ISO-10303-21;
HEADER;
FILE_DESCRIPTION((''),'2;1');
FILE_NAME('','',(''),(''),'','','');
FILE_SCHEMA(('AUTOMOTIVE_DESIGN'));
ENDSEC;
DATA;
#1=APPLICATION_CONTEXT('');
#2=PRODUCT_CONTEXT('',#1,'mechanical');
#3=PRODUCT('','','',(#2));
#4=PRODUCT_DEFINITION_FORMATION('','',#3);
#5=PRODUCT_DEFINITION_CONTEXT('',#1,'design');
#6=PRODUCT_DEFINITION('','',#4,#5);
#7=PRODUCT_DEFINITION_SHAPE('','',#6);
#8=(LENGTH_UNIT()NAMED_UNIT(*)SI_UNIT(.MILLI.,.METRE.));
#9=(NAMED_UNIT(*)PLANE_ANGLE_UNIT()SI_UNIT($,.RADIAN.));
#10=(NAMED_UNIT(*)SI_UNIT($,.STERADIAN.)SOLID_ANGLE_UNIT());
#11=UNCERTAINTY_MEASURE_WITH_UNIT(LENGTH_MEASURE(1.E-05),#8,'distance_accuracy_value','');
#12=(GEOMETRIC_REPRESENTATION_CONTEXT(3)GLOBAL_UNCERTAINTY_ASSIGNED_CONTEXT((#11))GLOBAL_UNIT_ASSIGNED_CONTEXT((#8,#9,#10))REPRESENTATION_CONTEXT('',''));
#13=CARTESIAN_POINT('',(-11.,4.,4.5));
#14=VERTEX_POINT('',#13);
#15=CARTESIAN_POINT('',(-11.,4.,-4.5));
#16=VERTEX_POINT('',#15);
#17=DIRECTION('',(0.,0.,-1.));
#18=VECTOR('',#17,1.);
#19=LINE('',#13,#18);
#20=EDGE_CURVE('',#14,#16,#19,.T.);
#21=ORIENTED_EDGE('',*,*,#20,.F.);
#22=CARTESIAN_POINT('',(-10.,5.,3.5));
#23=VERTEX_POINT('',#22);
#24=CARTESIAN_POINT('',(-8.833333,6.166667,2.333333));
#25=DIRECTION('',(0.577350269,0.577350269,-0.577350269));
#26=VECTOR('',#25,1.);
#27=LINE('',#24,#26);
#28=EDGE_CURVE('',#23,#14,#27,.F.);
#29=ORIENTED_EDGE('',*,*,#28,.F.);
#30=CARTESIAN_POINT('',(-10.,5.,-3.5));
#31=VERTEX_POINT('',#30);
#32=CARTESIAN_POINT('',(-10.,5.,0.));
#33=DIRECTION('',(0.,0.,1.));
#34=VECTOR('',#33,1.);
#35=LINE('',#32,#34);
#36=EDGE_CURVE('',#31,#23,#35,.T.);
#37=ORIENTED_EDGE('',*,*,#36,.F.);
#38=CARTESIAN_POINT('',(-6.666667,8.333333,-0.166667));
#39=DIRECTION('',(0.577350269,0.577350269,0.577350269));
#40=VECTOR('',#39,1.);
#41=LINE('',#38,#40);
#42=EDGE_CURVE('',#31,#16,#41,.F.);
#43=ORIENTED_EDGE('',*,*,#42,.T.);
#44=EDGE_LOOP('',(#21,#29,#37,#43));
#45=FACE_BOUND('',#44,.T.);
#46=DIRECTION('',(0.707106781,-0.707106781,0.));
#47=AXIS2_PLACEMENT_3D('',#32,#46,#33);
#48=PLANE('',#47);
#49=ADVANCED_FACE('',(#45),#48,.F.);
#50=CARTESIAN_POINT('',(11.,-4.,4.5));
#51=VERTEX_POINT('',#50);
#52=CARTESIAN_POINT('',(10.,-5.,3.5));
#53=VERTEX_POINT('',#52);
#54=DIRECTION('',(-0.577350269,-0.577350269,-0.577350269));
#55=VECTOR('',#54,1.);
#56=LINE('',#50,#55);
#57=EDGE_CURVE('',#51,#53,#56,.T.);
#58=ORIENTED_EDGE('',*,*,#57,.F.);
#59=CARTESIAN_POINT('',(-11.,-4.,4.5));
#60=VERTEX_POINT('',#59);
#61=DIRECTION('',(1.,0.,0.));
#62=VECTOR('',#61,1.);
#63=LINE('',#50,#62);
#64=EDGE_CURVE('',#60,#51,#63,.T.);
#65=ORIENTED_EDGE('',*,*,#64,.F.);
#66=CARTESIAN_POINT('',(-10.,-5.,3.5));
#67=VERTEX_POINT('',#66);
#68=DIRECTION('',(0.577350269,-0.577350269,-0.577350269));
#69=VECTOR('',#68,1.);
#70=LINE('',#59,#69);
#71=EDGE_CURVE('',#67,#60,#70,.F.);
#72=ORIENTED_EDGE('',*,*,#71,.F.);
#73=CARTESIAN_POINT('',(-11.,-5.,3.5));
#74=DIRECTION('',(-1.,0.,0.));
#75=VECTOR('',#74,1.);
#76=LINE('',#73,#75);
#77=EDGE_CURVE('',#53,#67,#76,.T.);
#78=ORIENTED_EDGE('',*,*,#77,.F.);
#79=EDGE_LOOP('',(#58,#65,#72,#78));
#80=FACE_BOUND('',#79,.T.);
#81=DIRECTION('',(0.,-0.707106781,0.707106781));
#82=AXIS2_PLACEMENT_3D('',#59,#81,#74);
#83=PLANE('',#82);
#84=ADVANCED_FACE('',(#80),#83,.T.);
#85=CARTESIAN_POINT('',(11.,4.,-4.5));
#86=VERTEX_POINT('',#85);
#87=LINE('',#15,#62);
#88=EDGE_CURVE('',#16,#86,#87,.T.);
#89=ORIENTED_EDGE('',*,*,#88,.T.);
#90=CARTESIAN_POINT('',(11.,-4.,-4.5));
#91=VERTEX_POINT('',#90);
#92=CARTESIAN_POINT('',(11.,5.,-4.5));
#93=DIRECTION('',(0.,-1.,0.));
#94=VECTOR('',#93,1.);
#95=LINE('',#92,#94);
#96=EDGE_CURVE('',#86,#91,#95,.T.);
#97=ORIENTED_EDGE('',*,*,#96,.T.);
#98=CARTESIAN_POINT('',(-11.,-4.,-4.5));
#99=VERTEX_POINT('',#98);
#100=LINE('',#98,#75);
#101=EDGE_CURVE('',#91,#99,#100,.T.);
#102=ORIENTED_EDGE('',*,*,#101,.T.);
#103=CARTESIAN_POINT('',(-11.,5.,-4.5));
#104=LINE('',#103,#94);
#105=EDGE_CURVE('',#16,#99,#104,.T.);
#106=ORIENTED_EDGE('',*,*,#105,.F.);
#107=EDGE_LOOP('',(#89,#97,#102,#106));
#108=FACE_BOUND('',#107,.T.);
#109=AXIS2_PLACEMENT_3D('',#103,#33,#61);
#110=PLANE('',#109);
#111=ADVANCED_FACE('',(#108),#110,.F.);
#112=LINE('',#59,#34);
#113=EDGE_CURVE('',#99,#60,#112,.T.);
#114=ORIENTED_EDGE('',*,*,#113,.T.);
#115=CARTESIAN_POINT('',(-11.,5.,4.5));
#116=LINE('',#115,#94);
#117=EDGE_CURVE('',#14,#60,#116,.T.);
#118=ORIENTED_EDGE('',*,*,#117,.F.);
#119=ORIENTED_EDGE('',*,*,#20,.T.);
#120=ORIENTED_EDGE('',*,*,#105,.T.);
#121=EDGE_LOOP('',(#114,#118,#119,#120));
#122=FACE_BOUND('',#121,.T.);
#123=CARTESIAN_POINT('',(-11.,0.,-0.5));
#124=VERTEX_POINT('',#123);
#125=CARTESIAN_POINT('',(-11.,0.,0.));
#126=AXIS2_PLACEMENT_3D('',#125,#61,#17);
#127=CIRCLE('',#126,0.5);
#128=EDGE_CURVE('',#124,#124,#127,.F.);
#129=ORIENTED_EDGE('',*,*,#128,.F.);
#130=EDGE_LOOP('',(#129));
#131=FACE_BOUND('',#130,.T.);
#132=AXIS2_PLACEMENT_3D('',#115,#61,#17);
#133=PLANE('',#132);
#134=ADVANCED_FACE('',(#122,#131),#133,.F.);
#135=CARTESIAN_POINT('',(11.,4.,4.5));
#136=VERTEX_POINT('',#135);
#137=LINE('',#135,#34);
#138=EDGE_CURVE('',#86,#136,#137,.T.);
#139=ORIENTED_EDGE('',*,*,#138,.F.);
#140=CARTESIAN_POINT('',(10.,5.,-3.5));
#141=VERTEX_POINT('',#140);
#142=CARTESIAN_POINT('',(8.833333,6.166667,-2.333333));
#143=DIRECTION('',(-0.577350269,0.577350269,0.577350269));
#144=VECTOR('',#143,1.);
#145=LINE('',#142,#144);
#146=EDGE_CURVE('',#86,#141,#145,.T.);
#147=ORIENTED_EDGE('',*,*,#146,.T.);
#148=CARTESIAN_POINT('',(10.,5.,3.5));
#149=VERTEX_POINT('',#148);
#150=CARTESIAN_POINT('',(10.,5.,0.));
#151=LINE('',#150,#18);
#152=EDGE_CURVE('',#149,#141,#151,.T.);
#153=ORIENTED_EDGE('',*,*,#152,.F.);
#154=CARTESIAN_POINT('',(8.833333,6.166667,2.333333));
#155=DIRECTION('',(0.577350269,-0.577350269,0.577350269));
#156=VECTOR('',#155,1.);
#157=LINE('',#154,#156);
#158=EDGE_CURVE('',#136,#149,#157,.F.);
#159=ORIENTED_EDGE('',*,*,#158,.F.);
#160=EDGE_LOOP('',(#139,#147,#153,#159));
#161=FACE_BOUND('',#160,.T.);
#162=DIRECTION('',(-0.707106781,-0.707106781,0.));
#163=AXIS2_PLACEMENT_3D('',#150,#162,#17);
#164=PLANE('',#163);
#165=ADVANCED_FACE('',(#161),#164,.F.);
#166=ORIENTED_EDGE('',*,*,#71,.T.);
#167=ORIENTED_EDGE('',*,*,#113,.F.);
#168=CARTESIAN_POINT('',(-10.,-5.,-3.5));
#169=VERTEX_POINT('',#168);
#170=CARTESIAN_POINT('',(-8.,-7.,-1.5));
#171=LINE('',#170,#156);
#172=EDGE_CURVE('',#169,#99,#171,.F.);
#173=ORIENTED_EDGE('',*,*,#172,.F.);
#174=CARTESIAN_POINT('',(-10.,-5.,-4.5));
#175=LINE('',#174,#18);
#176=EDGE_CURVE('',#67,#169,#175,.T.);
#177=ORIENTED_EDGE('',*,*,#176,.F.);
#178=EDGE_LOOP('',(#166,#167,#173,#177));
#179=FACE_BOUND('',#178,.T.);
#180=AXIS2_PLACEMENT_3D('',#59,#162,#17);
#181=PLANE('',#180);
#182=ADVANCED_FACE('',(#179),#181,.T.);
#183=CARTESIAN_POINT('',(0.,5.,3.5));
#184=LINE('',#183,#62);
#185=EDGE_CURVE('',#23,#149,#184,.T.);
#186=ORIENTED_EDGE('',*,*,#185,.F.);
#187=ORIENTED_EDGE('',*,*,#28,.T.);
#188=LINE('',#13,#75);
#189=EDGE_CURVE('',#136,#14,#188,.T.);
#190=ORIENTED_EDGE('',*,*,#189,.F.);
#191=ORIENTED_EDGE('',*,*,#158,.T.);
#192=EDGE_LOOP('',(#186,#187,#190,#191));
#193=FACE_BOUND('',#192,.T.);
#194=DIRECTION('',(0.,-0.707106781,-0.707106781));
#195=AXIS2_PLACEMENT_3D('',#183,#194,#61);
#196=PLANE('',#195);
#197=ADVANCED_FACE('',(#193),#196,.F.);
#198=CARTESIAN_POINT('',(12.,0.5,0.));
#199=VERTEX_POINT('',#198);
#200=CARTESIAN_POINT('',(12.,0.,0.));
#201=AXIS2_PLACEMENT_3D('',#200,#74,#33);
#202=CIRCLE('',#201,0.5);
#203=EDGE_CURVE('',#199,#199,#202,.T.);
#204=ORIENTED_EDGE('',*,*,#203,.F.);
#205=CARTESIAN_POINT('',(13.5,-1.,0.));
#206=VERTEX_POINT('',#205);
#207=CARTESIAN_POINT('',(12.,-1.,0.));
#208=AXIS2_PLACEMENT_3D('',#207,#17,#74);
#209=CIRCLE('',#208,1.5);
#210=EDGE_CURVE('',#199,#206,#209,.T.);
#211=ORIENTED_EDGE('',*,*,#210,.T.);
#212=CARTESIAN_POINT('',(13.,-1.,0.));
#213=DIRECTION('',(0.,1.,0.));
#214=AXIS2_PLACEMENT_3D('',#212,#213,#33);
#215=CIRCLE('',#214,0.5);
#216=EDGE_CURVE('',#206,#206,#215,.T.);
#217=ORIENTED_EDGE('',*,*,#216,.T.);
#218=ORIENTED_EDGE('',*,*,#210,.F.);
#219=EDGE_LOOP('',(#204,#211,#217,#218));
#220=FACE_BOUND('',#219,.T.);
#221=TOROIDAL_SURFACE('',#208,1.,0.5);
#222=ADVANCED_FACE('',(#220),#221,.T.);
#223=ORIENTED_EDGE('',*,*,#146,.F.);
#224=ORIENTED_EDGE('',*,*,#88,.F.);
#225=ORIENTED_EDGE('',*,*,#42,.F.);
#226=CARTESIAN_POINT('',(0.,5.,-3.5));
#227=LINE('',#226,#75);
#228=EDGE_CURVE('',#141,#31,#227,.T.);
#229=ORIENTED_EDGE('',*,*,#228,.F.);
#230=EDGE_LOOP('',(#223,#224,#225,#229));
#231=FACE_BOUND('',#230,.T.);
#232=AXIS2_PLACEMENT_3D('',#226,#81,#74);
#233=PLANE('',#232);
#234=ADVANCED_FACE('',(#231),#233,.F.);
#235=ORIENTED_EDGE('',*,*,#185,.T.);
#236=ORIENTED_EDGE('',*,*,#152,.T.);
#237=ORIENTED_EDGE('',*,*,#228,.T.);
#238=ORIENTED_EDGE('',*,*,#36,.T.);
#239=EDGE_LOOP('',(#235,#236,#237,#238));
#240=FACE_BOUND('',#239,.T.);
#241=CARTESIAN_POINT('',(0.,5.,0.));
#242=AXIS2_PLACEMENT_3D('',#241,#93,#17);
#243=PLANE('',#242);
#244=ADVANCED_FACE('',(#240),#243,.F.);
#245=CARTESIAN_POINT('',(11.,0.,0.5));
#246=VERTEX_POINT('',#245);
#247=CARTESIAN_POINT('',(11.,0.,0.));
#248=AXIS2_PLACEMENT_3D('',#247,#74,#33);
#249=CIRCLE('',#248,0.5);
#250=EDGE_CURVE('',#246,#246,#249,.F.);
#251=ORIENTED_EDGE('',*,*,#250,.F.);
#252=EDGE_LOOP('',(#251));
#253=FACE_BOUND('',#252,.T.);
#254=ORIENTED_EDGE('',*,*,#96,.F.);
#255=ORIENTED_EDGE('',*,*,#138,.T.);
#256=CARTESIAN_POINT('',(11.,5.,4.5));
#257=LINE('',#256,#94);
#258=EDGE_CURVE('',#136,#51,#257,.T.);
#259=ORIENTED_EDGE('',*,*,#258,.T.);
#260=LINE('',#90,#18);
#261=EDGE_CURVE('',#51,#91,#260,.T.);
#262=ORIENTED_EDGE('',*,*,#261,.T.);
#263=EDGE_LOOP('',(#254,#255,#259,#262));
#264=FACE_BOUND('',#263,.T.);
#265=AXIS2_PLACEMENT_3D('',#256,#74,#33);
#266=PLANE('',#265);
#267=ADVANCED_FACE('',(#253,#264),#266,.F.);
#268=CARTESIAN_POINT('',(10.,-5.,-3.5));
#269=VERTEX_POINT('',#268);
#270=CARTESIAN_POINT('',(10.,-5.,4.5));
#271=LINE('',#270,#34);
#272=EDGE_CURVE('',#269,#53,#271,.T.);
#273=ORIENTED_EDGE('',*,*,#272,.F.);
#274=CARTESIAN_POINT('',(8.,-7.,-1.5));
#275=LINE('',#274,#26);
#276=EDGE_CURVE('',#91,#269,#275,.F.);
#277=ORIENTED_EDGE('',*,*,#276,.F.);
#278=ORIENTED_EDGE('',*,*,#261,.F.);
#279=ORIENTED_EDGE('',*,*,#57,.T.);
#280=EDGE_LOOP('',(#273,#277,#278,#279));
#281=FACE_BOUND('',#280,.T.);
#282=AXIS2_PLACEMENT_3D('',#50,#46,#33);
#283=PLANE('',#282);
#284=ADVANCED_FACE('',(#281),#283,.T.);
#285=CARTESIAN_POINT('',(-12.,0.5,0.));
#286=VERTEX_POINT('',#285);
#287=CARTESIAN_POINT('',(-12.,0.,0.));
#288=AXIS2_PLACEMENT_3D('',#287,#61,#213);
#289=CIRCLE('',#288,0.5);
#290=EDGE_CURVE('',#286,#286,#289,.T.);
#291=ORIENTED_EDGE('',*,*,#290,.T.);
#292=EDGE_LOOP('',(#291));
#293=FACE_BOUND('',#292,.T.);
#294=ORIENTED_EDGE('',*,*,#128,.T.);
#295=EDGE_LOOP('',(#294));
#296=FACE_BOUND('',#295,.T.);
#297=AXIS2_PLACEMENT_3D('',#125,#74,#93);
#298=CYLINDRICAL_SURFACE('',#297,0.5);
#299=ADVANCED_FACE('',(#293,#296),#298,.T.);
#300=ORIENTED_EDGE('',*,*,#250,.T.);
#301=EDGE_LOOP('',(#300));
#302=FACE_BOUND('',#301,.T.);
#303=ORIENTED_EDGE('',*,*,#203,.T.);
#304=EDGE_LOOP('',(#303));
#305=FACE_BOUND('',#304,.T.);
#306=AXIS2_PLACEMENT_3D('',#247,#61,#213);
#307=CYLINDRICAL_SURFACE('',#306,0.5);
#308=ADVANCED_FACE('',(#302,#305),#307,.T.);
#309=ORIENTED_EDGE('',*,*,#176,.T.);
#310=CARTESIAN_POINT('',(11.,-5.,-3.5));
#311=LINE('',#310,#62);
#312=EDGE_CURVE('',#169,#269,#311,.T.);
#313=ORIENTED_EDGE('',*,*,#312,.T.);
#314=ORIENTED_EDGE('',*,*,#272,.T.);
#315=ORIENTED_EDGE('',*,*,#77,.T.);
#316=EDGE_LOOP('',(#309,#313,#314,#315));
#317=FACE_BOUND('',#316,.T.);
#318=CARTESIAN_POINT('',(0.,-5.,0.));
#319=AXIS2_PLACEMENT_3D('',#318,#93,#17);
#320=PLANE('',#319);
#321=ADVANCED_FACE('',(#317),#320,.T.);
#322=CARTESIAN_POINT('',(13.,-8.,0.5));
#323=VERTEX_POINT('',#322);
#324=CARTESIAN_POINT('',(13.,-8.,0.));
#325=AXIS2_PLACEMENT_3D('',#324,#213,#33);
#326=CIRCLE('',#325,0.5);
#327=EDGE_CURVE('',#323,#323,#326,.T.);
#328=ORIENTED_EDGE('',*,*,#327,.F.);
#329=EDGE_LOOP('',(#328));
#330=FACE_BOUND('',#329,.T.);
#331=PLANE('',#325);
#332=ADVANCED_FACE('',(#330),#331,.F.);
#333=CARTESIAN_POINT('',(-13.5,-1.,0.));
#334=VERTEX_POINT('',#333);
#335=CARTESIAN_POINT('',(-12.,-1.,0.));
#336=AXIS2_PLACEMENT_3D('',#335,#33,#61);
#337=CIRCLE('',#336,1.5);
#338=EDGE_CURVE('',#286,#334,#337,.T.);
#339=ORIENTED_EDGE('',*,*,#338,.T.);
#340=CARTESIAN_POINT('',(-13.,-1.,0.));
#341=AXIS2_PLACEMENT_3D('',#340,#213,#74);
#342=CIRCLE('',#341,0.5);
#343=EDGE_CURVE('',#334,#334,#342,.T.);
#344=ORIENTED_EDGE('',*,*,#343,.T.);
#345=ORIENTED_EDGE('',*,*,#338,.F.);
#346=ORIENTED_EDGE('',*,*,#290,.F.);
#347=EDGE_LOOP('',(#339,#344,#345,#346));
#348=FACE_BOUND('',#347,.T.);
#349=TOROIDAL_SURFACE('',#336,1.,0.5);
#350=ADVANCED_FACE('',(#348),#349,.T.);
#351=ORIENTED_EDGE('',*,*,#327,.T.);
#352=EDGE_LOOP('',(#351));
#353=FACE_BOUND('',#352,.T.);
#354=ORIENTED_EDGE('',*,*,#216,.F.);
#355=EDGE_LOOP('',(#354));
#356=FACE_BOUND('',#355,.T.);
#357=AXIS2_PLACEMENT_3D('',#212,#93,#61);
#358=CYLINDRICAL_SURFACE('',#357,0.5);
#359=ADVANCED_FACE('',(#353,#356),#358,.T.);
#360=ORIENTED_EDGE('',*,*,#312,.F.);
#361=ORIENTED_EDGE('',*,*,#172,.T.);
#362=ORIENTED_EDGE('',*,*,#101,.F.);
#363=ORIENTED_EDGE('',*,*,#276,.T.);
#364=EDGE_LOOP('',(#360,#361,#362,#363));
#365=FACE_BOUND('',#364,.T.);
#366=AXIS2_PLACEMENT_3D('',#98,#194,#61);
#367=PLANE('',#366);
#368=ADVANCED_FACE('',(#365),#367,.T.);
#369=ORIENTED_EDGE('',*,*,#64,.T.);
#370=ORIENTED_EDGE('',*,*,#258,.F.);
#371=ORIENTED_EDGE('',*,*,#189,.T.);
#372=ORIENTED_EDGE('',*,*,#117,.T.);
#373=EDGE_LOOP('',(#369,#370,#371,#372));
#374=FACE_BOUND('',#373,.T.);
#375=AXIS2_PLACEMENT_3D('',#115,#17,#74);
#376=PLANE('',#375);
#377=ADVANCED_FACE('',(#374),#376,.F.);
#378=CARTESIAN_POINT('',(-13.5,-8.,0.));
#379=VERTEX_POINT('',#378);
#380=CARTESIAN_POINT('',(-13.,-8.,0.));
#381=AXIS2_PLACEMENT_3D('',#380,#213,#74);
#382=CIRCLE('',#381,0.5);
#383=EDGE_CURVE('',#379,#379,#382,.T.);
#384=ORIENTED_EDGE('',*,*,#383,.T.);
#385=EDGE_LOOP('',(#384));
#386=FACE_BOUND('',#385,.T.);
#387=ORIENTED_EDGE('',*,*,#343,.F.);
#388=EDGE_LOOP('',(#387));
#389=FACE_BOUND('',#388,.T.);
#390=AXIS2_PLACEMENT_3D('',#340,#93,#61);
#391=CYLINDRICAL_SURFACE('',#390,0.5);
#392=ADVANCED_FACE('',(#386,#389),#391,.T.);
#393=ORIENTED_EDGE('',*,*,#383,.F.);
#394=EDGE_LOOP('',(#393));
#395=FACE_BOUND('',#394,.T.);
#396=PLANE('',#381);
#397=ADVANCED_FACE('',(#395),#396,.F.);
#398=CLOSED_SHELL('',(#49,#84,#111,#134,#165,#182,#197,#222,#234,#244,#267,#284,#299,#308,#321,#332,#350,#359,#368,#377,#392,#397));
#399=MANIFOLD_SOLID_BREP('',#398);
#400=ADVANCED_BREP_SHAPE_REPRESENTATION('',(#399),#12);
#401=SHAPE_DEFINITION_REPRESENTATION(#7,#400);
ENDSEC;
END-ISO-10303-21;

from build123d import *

# Parameters (mm, degrees)
SKETCH_1_W        = 22
SKETCH_1_H        = 9
EXTRUDE_1_DEPTH   = 5
CHAMFER_1_SIZE    = 1
SWEEP_1_PROFILE_R = 0.5
SWEEP_2_PROFILE_R = 0.5


with BuildPart() as part:
    # 草图1 → 凸台-拉伸1 (new, symmetric)
    with BuildSketch(Plane(origin=(0, 0, 0), x_dir=(1, 0, 0), z_dir=(0, 1, 0))):
        Rectangle(SKETCH_1_W, SKETCH_1_H)
    extrude(amount=EXTRUDE_1_DEPTH, both=True)

    # 倒角1
    chamfer_1_edges = [part.edges().sort_by_distance(p)[0] for p in [
        (-11, 5, 0),
        (0, 5, 4.5),
        (11, 5, 0),
        (0, -5, 4.5),
        (-11, -5, 0),
        (0, -5, -4.5),
        (11, -5, 0),
        (0, 5, -4.5),
    ]]
    chamfer(chamfer_1_edges, length=CHAMFER_1_SIZE)

    # 扫描1: sweep along a path in 草图2
    with BuildLine(Plane.XY) as sweep_1_path:
        Line((11, 0), (12, 0))
        ThreePointArc((12, 0), (12.707106781, -0.292893219), (13, -1))
        Line((13, -1), (13, -8))
    # 扫描1 profile (on start of the path) → 扫描1 (sweep)
    with BuildSketch(Plane.YZ.offset(11)):
        Circle(SWEEP_1_PROFILE_R)
    sweep(path=sweep_1_path.line)

    # 扫描2: sweep along a path in 草图9
    with BuildLine(Plane.XY) as sweep_2_path:
        Line((-11, 0), (-12, 0))
        ThreePointArc((-12, 0), (-12.707106781, -0.292893219), (-13, -1))
        Line((-13, -1), (-13, -8))
    # 扫描2 profile (on start of the path) → 扫描2 (sweep)
    with BuildSketch(Plane(origin=(-11, 0, 0), x_dir=(0, -1, 0), z_dir=(-1, 0, 0))):
        Circle(SWEEP_2_PROFILE_R)
    sweep(path=sweep_2_path.line)


solid = part.part
